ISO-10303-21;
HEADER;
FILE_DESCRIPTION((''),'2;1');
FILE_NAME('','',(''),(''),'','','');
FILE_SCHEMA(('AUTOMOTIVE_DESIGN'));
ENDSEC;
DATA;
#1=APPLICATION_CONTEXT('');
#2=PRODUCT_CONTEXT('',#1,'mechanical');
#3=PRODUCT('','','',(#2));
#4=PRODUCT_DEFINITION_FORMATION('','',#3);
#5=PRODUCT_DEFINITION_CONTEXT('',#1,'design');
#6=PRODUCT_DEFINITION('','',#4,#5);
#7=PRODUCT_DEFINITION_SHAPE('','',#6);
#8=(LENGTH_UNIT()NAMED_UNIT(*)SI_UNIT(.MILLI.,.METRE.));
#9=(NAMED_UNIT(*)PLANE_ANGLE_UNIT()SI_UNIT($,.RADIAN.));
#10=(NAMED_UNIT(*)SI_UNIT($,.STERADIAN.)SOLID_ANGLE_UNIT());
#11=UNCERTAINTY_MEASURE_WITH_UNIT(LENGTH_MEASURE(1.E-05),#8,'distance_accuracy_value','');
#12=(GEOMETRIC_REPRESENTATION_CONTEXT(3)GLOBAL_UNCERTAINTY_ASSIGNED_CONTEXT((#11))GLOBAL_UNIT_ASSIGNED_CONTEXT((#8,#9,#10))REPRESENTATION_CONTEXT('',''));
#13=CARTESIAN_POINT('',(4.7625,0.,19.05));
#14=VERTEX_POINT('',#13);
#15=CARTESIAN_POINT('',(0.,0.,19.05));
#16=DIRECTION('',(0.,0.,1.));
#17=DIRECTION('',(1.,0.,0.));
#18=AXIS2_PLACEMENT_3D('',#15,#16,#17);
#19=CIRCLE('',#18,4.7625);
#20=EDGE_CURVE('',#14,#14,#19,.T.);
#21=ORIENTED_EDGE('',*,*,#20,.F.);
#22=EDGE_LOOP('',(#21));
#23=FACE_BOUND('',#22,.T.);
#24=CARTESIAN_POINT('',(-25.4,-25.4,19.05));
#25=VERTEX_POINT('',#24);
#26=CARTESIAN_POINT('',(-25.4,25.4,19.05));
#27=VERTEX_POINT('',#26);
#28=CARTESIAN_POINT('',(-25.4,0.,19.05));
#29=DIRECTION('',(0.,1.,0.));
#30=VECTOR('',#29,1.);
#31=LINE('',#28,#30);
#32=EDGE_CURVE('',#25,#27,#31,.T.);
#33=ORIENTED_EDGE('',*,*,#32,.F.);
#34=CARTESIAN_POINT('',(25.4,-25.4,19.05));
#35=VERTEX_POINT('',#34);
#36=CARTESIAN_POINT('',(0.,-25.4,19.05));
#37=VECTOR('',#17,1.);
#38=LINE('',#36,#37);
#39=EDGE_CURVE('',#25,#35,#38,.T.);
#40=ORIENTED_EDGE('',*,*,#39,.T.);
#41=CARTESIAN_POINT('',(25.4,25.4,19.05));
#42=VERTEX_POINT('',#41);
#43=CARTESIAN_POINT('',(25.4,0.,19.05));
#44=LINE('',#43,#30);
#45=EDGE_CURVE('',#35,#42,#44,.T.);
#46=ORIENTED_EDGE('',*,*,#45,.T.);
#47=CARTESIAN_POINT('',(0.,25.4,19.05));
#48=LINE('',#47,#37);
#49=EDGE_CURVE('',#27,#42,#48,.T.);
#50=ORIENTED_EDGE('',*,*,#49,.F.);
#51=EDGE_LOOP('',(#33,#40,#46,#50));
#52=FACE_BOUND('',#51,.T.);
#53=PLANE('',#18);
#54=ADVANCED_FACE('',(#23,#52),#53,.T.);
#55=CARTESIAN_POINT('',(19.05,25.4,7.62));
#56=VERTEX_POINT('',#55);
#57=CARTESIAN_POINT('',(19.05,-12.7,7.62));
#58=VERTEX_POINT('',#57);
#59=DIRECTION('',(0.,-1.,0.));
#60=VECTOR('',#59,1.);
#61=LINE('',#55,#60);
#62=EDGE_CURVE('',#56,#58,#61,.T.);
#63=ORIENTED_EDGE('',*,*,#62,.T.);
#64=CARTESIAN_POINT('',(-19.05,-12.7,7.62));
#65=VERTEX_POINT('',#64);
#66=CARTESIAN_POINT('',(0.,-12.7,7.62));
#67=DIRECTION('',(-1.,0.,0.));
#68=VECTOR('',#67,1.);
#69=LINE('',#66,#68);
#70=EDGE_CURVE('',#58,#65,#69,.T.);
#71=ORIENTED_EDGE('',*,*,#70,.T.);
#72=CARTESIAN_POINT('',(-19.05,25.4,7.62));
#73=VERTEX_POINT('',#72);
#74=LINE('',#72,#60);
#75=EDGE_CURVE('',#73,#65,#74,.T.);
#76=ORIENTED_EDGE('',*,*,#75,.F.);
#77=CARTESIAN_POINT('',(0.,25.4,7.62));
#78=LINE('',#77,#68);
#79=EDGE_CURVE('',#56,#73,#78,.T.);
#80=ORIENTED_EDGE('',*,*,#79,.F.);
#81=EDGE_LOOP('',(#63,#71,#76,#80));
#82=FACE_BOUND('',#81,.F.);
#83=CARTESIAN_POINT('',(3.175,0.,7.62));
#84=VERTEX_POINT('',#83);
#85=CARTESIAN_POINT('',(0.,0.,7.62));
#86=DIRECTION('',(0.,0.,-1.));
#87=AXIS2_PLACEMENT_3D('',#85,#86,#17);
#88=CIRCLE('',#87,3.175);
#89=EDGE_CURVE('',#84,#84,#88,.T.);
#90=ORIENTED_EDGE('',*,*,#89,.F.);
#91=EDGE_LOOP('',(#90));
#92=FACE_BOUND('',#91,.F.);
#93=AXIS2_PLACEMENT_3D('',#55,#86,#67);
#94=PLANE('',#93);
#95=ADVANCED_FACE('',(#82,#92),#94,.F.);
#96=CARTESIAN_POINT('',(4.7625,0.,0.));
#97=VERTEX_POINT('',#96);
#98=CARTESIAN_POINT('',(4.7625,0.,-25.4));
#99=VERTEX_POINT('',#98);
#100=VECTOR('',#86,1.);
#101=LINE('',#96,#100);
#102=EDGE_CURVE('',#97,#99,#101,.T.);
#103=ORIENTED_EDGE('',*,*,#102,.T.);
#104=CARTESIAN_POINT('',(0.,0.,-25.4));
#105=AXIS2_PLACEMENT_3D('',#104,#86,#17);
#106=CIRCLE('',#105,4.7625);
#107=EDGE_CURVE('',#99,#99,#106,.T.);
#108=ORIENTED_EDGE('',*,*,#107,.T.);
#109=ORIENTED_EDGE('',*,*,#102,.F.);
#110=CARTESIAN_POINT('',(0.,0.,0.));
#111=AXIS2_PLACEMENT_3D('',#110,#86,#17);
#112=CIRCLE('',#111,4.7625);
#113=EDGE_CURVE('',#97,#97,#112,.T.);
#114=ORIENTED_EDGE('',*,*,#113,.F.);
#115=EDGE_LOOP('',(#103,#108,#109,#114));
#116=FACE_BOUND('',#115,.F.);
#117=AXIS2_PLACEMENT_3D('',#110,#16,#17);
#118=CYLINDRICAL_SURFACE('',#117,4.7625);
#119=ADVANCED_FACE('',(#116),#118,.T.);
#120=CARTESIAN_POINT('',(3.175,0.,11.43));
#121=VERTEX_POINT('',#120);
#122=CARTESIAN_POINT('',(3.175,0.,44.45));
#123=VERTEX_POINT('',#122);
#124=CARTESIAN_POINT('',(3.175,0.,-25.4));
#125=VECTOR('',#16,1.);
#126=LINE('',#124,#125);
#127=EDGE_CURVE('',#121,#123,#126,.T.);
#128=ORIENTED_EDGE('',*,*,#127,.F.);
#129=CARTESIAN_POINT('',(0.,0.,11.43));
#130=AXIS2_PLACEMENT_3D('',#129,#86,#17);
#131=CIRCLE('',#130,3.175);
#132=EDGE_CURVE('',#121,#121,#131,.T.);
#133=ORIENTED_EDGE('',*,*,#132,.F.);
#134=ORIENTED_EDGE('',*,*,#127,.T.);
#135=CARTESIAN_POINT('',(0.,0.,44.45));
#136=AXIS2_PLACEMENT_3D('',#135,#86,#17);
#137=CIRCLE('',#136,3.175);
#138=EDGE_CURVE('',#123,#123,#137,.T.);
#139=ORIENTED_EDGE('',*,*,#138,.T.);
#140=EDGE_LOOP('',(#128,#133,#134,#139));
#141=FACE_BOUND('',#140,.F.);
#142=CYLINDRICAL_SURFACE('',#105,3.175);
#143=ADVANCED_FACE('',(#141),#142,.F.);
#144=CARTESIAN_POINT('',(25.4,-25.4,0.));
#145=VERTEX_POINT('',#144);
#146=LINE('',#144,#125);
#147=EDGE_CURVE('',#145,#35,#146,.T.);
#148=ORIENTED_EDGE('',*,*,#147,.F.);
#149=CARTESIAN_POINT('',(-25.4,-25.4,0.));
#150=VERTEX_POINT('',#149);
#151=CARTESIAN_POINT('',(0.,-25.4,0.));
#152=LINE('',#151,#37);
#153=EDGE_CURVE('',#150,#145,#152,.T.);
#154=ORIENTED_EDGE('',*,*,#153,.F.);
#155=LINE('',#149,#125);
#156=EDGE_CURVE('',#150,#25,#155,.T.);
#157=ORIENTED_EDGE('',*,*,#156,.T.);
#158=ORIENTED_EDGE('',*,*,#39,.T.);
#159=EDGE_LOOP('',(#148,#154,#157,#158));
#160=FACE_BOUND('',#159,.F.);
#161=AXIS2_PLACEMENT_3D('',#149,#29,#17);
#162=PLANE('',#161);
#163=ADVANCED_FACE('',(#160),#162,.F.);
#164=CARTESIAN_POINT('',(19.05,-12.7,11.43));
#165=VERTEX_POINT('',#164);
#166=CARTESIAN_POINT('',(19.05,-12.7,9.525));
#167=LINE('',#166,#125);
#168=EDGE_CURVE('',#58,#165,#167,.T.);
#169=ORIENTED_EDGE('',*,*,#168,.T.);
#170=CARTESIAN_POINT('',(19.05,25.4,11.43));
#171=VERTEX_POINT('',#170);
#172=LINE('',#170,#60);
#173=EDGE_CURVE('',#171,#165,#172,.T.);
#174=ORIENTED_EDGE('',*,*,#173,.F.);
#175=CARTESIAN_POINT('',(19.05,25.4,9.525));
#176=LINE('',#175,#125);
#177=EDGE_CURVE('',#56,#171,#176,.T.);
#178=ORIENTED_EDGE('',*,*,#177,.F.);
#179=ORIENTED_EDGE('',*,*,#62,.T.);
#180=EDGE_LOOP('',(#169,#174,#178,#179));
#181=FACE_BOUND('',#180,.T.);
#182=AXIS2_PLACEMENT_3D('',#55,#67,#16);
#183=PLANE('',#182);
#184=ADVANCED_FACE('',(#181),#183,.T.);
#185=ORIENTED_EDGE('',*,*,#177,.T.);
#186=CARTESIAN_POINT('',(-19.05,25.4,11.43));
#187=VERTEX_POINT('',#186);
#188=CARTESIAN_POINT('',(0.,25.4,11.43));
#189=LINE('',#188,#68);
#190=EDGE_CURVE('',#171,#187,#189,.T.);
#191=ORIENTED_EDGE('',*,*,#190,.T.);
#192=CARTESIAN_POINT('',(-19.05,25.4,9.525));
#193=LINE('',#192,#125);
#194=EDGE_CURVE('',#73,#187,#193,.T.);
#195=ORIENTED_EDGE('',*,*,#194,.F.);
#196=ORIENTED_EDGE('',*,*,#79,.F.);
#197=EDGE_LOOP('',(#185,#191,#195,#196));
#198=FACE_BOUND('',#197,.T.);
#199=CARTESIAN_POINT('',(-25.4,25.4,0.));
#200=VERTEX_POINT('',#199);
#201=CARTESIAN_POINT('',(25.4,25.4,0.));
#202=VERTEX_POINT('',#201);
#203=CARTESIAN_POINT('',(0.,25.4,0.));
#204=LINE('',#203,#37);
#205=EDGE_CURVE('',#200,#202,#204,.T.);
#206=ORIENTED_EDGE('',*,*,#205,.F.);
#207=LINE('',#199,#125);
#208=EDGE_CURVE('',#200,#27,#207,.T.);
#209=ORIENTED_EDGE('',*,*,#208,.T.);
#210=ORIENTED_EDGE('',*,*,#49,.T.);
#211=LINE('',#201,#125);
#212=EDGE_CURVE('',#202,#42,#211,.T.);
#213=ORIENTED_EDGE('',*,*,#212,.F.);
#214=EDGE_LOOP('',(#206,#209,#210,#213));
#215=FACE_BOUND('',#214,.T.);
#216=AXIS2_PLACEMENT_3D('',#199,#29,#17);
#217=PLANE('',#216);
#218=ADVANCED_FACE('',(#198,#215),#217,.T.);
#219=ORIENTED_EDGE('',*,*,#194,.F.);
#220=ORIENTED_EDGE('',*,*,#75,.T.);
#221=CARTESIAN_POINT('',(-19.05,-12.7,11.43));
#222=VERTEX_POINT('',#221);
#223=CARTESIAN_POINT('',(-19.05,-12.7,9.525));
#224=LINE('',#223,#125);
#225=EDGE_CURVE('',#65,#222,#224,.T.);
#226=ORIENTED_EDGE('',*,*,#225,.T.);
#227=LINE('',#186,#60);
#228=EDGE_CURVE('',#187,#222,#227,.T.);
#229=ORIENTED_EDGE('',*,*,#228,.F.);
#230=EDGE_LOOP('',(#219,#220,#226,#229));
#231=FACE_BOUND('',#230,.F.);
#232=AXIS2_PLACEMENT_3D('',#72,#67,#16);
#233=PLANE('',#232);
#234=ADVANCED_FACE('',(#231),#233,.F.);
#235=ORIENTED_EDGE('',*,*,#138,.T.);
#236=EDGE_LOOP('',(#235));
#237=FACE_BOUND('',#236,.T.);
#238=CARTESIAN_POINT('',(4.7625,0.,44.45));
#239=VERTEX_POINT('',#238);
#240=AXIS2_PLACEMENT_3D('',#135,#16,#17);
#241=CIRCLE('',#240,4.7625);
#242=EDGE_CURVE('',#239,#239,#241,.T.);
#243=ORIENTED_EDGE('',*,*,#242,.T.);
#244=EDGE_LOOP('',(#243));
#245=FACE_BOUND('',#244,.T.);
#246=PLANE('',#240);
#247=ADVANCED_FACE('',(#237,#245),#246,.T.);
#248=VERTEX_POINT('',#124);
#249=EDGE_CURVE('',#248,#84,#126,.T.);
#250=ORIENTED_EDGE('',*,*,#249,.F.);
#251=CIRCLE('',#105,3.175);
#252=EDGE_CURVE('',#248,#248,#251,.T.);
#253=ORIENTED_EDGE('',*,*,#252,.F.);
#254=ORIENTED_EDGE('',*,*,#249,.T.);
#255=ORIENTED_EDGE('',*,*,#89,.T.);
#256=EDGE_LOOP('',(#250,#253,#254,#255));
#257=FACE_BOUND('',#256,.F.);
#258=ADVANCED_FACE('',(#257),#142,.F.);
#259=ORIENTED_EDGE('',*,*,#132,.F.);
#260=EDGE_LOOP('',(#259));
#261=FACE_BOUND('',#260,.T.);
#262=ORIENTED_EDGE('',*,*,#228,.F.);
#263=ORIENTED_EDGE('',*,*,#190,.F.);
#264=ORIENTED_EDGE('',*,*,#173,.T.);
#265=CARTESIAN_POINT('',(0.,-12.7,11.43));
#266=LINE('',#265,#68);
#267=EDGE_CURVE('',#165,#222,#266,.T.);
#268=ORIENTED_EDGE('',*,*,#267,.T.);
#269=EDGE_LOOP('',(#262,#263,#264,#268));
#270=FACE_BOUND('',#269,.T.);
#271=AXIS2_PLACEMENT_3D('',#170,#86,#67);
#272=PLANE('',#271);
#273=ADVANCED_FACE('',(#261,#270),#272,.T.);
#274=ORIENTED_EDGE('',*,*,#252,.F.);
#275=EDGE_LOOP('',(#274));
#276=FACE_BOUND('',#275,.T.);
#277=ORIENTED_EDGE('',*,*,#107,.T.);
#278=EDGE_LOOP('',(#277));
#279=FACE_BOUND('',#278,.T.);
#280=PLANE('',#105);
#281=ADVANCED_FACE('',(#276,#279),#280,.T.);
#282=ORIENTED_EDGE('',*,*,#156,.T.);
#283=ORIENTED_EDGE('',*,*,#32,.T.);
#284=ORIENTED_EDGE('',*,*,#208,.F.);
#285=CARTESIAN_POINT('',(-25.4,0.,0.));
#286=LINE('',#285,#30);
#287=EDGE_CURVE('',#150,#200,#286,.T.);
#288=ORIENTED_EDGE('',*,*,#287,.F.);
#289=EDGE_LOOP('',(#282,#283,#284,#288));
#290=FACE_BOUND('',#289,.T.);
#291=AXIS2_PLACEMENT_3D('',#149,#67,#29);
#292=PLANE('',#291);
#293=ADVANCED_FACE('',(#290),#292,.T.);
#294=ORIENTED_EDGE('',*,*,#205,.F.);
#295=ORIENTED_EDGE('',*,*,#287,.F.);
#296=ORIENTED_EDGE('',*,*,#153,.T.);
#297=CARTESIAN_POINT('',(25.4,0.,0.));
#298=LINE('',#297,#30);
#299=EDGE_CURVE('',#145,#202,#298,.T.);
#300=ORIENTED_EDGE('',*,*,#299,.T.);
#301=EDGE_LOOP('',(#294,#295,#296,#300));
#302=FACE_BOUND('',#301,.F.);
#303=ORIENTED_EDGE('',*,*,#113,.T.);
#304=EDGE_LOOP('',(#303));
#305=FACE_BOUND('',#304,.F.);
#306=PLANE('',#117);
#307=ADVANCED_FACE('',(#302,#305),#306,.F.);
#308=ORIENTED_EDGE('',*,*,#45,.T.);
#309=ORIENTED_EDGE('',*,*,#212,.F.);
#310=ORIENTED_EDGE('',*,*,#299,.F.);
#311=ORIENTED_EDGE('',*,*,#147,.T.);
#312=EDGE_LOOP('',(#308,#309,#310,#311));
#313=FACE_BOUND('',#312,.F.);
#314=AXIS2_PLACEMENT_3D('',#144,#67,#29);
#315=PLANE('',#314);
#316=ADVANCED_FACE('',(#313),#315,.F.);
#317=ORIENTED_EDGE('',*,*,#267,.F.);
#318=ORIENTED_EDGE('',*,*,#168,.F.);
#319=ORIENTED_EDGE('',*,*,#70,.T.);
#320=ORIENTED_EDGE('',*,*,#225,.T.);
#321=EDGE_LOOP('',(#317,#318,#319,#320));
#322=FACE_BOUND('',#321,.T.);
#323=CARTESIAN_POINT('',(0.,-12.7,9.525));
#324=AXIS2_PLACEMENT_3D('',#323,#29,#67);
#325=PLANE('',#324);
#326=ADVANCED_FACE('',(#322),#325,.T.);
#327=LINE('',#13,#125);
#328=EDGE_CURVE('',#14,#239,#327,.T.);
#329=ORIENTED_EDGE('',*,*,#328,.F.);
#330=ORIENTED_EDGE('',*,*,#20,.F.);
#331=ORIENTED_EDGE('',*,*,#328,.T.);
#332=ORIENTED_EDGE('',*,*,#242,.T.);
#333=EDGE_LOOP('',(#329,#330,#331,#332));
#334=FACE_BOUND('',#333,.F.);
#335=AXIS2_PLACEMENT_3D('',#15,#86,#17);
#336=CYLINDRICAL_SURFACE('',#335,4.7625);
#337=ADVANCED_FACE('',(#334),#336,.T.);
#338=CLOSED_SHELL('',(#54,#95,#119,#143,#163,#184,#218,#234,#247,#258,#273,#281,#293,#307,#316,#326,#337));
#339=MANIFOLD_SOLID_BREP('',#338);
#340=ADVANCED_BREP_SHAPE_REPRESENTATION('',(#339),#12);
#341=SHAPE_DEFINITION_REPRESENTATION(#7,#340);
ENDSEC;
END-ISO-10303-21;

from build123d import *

# Parameters (mm, degrees)
F0_W      = 50.8
F0_H      = 50.8
F1_DEPTH  = 19.05
F2_W      = 38.1
F2_H      = 3.81
F3_DEPTH  = 38.1
F5_R      = 4.7625
F6_DEPTH  = 25.4
F7_R      = 4.7625
F8_DEPTH  = 25.4
F9_R      = 3.175
F10_DEPTH = 74.676


with BuildPart() as f1:
    # F0 (on Top) → F1 (new body)
    with BuildSketch(Plane.XY):
        Rectangle(F0_W, F0_H)
    extrude(amount=F1_DEPTH)

    # F2 (on face) → F3 (cut)
    with BuildSketch(Plane(origin=(0, 25.4, 0), x_dir=(-1, 0, 0), z_dir=(0, 1, 0))):
        with Locations((0, 9.525)):
            Rectangle(F2_W, F2_H)
    extrude(amount=-F3_DEPTH, mode=Mode.SUBTRACT)

    # F5 (on face) → F6 (join)
    with BuildSketch(Plane.XY.offset(19.05)):
        Circle(F5_R)
    extrude(amount=F6_DEPTH)

    # F7 (on face) → F8 (join)
    with BuildSketch(Plane(origin=(0, 0, 0), x_dir=(1, 0, 0), z_dir=(0, 0, -1))):
        Circle(F7_R)
    extrude(amount=F8_DEPTH)

    # F9 (on face) → F10 (cut)
    with BuildSketch(Plane(origin=(0, 0, -25.4), x_dir=(1, 0, 0), z_dir=(0, 0, -1))):
        Circle(F9_R)
    extrude(amount=-F10_DEPTH, mode=Mode.SUBTRACT)


solid = f1.part
